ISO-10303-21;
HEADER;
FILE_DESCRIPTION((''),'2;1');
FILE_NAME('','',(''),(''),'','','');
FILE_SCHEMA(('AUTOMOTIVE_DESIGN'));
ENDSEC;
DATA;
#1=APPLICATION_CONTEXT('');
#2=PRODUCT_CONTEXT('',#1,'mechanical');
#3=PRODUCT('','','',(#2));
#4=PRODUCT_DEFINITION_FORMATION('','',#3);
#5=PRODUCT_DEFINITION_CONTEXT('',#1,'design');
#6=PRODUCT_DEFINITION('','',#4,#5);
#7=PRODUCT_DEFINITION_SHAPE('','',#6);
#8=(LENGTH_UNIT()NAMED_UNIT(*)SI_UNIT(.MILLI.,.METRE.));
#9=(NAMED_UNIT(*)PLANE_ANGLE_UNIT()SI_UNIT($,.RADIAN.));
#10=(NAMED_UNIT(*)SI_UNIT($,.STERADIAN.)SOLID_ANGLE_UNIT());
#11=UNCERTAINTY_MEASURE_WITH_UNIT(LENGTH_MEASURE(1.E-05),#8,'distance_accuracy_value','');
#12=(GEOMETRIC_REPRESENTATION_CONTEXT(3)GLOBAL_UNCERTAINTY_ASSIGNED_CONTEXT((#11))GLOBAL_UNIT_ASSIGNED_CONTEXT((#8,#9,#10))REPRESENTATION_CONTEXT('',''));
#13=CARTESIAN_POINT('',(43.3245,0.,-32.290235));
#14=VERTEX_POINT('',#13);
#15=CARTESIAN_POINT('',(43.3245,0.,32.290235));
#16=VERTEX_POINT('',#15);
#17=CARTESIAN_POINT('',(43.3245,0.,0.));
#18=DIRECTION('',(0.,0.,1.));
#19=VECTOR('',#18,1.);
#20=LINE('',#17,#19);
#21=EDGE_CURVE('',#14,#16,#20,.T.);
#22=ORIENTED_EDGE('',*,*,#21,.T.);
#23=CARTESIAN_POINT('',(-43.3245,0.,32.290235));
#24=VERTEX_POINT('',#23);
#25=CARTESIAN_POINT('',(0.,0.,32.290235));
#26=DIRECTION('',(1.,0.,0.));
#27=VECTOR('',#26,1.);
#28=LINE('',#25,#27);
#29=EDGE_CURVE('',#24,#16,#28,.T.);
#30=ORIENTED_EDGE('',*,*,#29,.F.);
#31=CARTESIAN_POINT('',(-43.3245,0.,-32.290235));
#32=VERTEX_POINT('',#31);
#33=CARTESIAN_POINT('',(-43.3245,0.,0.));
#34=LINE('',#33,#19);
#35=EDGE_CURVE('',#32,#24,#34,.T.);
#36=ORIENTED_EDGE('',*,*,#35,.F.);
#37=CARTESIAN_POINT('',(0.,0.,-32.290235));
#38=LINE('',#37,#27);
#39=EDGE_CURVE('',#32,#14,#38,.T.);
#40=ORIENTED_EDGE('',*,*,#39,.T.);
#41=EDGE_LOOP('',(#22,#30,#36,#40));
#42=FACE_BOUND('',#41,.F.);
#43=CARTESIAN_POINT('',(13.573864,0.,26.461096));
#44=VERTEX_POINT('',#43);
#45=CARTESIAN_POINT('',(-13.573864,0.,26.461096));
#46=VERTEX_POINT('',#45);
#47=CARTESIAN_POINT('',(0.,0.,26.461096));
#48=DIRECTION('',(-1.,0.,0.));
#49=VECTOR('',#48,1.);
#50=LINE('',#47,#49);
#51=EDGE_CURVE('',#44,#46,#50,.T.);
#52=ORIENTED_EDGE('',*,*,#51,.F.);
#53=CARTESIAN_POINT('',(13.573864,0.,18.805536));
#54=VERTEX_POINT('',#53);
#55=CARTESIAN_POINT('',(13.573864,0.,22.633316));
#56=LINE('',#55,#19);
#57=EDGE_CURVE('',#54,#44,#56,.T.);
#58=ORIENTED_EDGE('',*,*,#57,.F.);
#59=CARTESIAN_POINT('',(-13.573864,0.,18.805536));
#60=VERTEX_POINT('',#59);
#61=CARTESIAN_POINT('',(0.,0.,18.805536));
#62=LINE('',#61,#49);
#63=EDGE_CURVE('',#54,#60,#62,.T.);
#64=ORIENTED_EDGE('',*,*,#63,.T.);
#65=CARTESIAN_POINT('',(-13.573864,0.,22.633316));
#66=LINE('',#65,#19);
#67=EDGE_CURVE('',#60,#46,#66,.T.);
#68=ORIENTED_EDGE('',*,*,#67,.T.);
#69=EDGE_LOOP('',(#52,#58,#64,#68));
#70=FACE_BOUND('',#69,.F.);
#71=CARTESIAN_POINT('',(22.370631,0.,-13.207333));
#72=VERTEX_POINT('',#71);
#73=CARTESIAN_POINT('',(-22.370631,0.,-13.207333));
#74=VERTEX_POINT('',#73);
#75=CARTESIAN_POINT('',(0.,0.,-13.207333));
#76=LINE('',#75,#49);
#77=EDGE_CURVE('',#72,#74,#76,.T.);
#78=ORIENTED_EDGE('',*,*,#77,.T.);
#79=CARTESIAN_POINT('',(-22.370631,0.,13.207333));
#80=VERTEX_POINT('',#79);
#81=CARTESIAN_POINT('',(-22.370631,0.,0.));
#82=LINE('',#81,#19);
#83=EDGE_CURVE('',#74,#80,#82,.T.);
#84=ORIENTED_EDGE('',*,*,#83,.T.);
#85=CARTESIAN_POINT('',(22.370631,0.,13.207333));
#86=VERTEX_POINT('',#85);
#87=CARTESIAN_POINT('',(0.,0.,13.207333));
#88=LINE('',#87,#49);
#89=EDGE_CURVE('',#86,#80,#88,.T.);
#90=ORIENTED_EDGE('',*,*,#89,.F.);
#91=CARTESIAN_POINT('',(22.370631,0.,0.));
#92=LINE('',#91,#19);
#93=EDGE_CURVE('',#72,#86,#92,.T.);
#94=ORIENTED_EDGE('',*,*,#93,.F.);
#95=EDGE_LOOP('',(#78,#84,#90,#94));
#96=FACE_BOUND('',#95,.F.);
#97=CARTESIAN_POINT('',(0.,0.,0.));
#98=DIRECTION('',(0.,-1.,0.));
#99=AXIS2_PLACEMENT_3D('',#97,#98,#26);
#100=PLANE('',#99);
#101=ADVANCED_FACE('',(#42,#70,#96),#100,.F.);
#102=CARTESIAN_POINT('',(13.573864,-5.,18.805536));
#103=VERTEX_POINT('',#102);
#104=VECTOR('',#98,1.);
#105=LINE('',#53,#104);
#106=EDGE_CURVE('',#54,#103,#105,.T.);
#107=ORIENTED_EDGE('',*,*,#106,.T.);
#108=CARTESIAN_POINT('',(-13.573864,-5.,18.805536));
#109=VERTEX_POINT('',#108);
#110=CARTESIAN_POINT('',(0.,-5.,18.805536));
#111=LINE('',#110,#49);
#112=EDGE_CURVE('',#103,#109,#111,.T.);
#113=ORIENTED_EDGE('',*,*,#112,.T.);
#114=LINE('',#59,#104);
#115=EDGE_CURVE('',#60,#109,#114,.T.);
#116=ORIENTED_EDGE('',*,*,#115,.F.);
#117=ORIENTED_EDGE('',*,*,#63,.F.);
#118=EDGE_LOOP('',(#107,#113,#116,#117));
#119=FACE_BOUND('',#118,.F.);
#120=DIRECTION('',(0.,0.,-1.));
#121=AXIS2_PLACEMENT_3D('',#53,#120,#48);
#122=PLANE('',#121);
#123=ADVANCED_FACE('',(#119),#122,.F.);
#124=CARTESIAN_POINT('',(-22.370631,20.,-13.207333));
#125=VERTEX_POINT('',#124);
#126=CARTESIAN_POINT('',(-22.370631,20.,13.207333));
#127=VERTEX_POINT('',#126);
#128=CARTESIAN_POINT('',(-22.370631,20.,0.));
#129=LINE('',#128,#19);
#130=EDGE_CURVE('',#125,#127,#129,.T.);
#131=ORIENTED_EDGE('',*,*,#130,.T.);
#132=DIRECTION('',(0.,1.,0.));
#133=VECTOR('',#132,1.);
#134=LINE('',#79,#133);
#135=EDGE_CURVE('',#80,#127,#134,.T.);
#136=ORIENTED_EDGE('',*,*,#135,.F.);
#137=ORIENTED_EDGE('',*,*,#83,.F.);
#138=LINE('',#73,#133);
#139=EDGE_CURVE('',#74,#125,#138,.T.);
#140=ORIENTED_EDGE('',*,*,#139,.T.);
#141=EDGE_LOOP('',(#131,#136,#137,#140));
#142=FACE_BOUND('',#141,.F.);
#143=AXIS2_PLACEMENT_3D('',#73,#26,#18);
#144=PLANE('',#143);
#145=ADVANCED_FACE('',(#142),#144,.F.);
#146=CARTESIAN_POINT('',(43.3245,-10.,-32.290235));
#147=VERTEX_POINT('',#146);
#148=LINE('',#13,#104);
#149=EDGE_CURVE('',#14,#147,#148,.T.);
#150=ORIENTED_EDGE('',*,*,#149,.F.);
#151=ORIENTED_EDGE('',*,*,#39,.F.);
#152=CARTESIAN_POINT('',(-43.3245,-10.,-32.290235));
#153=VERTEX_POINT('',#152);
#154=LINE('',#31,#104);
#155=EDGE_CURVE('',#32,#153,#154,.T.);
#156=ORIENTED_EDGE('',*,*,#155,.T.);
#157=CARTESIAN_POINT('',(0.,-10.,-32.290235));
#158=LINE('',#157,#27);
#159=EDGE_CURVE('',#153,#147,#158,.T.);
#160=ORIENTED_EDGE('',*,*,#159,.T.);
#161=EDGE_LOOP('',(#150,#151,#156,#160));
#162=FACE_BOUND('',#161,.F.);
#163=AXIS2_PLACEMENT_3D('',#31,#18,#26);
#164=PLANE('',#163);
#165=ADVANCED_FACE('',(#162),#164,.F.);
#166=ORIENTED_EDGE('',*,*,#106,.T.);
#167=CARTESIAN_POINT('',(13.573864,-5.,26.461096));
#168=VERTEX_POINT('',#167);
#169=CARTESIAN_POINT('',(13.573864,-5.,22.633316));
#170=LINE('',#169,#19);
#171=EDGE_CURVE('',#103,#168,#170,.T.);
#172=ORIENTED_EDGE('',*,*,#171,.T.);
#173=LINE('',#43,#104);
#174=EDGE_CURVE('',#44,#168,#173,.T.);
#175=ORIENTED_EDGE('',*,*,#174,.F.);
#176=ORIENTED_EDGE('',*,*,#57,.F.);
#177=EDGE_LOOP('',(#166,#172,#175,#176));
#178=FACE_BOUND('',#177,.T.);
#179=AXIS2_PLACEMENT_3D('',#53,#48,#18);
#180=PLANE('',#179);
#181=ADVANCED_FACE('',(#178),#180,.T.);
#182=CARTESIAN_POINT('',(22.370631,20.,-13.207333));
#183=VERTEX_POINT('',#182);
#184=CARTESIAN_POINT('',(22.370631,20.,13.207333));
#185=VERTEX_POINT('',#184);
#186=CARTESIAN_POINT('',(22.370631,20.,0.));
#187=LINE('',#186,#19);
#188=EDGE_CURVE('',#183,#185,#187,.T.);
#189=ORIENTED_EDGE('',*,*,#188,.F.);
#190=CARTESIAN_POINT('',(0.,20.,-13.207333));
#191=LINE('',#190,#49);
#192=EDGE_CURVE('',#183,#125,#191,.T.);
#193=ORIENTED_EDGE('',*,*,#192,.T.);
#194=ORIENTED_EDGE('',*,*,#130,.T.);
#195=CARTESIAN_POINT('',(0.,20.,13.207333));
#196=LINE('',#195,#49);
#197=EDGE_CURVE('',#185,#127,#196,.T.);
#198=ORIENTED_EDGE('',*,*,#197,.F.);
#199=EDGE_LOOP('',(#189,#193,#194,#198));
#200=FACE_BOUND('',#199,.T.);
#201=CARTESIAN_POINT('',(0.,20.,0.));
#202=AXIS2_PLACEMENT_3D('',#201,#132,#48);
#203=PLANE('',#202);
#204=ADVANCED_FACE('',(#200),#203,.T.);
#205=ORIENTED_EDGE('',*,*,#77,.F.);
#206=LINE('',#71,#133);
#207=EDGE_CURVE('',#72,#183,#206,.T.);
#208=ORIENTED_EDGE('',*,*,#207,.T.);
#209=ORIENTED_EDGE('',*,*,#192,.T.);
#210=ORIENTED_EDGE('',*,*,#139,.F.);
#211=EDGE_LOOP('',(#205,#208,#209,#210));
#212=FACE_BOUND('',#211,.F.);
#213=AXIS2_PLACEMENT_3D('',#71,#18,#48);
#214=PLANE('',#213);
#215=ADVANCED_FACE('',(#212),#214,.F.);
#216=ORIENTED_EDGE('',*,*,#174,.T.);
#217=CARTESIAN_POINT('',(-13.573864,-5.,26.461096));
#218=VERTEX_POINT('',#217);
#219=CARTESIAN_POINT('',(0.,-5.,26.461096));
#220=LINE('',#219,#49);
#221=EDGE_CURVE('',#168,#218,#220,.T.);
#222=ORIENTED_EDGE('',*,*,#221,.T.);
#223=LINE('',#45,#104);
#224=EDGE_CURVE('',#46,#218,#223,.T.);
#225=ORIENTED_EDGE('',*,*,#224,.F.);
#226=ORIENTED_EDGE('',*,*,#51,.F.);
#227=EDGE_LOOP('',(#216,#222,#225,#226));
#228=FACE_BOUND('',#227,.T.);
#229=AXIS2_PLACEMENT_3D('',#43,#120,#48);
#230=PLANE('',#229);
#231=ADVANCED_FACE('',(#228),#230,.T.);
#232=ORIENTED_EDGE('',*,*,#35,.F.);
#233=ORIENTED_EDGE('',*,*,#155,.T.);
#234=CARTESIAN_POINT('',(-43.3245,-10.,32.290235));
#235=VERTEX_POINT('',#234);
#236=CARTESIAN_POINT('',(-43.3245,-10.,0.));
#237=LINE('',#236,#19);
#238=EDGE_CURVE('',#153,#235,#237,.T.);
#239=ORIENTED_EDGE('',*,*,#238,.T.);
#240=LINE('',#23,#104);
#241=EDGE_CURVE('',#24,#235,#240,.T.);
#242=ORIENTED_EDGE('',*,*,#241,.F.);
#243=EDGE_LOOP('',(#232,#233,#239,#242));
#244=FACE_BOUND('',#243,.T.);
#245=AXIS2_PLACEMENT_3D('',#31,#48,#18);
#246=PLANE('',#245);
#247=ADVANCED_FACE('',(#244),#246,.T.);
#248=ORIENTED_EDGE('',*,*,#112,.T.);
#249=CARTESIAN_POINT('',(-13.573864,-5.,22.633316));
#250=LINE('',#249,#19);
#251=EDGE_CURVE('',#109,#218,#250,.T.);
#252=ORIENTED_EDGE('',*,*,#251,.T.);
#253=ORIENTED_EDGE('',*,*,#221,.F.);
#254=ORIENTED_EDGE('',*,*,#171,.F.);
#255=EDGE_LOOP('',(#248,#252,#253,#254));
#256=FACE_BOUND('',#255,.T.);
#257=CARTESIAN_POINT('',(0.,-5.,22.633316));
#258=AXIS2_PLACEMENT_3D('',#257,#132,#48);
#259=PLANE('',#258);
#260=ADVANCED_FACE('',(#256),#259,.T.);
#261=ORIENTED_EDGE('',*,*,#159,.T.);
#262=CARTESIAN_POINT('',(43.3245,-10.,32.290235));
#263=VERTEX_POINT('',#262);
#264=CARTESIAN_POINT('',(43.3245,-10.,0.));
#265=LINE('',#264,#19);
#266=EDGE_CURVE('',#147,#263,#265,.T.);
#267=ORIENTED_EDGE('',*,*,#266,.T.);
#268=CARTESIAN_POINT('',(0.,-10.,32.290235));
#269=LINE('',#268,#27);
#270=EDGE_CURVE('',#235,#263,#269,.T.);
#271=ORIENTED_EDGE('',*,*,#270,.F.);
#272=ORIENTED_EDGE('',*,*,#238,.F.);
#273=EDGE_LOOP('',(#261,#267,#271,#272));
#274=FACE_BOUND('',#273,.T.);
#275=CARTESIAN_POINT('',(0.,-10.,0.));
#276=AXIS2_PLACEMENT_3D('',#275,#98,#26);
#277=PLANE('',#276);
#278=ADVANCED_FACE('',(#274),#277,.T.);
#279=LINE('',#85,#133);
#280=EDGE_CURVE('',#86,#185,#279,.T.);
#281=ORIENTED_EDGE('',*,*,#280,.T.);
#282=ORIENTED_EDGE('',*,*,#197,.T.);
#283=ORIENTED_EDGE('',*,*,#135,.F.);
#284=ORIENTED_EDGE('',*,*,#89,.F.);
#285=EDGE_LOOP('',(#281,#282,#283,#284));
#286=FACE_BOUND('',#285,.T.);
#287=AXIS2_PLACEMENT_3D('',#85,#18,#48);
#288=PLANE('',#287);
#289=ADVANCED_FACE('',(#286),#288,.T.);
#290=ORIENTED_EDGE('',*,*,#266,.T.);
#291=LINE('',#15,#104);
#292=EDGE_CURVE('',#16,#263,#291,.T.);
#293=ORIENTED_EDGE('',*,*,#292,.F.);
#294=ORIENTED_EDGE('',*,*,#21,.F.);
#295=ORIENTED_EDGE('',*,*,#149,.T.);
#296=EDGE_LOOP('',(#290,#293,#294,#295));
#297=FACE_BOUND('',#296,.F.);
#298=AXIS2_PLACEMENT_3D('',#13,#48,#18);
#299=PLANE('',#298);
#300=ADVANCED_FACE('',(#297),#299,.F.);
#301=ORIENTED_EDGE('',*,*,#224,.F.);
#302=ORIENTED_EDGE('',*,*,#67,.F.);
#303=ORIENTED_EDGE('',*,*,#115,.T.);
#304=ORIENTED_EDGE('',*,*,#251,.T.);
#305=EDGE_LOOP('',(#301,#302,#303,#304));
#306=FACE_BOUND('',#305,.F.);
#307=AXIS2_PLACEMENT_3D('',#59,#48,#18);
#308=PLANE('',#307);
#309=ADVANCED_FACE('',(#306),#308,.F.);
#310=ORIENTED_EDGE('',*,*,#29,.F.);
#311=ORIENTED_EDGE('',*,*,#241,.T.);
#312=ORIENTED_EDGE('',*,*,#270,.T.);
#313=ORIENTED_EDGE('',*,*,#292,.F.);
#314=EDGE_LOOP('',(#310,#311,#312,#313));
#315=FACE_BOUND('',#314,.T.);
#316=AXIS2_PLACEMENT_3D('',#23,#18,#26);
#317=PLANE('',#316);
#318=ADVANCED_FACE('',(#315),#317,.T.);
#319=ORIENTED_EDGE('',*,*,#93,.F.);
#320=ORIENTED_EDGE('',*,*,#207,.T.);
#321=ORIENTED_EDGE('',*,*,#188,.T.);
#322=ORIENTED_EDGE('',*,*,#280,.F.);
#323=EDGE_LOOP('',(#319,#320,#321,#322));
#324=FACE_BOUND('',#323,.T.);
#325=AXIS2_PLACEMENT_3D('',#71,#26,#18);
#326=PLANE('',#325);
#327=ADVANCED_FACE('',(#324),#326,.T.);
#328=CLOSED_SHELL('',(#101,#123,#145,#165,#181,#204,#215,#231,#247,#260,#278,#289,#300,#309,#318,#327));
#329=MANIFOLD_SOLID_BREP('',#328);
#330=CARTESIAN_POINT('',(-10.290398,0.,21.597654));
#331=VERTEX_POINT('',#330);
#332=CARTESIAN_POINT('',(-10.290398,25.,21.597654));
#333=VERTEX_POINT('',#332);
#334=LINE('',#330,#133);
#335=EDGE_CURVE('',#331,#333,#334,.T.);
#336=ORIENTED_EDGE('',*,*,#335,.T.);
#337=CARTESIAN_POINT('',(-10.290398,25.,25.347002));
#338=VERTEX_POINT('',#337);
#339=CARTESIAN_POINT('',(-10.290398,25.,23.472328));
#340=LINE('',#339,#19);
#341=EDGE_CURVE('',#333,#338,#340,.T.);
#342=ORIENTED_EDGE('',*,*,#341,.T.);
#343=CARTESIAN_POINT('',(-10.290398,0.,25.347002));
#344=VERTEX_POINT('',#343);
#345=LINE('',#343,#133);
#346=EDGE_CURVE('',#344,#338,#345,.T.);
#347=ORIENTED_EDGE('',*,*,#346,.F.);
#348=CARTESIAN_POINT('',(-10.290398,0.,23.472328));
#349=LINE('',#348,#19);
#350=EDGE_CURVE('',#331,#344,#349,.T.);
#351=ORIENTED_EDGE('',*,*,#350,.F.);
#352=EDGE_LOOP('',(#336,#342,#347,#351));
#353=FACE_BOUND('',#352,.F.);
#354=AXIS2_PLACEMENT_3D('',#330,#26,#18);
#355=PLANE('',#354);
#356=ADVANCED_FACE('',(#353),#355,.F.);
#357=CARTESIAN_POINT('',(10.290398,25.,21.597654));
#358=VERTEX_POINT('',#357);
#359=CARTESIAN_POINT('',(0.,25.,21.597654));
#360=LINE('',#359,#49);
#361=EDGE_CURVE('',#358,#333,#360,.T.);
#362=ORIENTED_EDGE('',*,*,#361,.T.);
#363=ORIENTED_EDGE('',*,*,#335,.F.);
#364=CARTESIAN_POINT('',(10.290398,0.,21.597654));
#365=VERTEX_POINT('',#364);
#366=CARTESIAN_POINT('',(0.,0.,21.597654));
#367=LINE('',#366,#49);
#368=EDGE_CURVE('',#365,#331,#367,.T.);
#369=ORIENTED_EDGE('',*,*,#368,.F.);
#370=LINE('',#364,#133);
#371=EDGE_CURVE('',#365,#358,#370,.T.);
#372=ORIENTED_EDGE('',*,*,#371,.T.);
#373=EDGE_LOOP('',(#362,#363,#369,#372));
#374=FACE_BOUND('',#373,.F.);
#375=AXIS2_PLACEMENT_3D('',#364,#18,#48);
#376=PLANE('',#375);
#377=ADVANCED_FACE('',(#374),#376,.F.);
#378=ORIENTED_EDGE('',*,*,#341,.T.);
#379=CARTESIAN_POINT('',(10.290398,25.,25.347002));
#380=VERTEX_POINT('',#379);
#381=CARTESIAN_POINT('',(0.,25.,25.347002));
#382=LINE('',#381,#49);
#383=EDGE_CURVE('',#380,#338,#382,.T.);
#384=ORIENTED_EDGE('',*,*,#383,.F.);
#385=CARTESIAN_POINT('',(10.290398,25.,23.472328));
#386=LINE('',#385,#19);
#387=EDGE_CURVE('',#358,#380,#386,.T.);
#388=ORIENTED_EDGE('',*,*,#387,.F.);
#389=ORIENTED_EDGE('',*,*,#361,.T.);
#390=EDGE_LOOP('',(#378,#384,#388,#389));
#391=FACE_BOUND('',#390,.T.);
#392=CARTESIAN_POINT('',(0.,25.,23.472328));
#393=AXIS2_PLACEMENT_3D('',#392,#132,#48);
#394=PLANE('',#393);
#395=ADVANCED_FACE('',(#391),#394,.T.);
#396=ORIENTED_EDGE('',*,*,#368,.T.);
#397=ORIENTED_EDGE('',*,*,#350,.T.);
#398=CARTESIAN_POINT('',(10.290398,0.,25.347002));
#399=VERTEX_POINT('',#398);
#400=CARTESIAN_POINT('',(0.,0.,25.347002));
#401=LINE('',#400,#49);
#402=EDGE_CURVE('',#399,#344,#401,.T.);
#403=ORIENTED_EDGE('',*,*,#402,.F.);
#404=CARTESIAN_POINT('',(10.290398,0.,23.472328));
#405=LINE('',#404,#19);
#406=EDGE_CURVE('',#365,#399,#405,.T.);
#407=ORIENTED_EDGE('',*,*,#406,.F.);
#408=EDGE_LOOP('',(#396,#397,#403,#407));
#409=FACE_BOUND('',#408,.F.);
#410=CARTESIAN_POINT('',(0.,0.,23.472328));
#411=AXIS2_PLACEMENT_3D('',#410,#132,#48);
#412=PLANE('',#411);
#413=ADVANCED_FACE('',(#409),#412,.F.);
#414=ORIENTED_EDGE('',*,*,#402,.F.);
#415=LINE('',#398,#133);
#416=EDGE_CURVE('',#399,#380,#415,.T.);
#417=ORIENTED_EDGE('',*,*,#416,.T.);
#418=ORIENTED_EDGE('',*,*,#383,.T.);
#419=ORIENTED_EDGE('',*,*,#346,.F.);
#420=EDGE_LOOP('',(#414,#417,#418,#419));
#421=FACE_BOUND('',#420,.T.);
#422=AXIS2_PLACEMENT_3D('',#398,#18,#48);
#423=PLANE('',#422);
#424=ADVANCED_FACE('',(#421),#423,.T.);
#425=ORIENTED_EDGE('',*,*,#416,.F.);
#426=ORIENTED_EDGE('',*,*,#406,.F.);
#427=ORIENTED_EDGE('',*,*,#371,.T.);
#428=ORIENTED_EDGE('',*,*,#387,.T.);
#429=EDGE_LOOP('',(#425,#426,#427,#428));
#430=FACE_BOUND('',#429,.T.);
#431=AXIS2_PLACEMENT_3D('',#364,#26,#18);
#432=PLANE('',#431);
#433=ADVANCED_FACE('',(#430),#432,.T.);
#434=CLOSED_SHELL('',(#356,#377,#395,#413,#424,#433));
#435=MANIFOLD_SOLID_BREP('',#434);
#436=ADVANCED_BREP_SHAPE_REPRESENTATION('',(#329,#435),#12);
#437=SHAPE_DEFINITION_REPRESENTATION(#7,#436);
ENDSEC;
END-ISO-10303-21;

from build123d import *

# Parameters (mm, degrees)
F0_W     = 86.649
F0_H     = 64.58047
F1_DEPTH = 10
F2_W     = 27.147728
F2_H     = 7.65556
F3_DEPTH = 5
F4_W     = 44.741262
F4_H     = 26.414666
F5_DEPTH = 20
F6_W     = 20.580796
F6_H     = 3.749348
F7_DEPTH = 25


with BuildPart() as f1:
    # F0 (on Front) → F1 (new body)
    with BuildSketch(Plane.XZ):
        Rectangle(F0_W, F0_H)
    extrude(amount=F1_DEPTH)

    # F2 (on face) → F3 (cut)
    with BuildSketch(Plane(origin=(0, 0, 0), x_dir=(-1, 0, 0), z_dir=(0, 1, 0))):
        with Locations((0, 22.633316)):
            Rectangle(F2_W, F2_H)
    extrude(amount=-F3_DEPTH, mode=Mode.SUBTRACT)

    # F4 (on face) → F5 (join)
    with BuildSketch(Plane(origin=(0, 0, 0), x_dir=(-1, 0, 0), z_dir=(0, 1, 0))):
        Rectangle(F4_W, F4_H)
    extrude(amount=F5_DEPTH)


with BuildPart() as f7:
    # F6 (on face) → F7 (new body)
    with BuildSketch(Plane(origin=(0, 0, 0), x_dir=(-1, 0, 0), z_dir=(0, 1, 0))):
        with Locations((0, 23.472328)):
            Rectangle(F6_W, F6_H)
    extrude(amount=F7_DEPTH)


solid = Compound([f1.part, f7.part])
